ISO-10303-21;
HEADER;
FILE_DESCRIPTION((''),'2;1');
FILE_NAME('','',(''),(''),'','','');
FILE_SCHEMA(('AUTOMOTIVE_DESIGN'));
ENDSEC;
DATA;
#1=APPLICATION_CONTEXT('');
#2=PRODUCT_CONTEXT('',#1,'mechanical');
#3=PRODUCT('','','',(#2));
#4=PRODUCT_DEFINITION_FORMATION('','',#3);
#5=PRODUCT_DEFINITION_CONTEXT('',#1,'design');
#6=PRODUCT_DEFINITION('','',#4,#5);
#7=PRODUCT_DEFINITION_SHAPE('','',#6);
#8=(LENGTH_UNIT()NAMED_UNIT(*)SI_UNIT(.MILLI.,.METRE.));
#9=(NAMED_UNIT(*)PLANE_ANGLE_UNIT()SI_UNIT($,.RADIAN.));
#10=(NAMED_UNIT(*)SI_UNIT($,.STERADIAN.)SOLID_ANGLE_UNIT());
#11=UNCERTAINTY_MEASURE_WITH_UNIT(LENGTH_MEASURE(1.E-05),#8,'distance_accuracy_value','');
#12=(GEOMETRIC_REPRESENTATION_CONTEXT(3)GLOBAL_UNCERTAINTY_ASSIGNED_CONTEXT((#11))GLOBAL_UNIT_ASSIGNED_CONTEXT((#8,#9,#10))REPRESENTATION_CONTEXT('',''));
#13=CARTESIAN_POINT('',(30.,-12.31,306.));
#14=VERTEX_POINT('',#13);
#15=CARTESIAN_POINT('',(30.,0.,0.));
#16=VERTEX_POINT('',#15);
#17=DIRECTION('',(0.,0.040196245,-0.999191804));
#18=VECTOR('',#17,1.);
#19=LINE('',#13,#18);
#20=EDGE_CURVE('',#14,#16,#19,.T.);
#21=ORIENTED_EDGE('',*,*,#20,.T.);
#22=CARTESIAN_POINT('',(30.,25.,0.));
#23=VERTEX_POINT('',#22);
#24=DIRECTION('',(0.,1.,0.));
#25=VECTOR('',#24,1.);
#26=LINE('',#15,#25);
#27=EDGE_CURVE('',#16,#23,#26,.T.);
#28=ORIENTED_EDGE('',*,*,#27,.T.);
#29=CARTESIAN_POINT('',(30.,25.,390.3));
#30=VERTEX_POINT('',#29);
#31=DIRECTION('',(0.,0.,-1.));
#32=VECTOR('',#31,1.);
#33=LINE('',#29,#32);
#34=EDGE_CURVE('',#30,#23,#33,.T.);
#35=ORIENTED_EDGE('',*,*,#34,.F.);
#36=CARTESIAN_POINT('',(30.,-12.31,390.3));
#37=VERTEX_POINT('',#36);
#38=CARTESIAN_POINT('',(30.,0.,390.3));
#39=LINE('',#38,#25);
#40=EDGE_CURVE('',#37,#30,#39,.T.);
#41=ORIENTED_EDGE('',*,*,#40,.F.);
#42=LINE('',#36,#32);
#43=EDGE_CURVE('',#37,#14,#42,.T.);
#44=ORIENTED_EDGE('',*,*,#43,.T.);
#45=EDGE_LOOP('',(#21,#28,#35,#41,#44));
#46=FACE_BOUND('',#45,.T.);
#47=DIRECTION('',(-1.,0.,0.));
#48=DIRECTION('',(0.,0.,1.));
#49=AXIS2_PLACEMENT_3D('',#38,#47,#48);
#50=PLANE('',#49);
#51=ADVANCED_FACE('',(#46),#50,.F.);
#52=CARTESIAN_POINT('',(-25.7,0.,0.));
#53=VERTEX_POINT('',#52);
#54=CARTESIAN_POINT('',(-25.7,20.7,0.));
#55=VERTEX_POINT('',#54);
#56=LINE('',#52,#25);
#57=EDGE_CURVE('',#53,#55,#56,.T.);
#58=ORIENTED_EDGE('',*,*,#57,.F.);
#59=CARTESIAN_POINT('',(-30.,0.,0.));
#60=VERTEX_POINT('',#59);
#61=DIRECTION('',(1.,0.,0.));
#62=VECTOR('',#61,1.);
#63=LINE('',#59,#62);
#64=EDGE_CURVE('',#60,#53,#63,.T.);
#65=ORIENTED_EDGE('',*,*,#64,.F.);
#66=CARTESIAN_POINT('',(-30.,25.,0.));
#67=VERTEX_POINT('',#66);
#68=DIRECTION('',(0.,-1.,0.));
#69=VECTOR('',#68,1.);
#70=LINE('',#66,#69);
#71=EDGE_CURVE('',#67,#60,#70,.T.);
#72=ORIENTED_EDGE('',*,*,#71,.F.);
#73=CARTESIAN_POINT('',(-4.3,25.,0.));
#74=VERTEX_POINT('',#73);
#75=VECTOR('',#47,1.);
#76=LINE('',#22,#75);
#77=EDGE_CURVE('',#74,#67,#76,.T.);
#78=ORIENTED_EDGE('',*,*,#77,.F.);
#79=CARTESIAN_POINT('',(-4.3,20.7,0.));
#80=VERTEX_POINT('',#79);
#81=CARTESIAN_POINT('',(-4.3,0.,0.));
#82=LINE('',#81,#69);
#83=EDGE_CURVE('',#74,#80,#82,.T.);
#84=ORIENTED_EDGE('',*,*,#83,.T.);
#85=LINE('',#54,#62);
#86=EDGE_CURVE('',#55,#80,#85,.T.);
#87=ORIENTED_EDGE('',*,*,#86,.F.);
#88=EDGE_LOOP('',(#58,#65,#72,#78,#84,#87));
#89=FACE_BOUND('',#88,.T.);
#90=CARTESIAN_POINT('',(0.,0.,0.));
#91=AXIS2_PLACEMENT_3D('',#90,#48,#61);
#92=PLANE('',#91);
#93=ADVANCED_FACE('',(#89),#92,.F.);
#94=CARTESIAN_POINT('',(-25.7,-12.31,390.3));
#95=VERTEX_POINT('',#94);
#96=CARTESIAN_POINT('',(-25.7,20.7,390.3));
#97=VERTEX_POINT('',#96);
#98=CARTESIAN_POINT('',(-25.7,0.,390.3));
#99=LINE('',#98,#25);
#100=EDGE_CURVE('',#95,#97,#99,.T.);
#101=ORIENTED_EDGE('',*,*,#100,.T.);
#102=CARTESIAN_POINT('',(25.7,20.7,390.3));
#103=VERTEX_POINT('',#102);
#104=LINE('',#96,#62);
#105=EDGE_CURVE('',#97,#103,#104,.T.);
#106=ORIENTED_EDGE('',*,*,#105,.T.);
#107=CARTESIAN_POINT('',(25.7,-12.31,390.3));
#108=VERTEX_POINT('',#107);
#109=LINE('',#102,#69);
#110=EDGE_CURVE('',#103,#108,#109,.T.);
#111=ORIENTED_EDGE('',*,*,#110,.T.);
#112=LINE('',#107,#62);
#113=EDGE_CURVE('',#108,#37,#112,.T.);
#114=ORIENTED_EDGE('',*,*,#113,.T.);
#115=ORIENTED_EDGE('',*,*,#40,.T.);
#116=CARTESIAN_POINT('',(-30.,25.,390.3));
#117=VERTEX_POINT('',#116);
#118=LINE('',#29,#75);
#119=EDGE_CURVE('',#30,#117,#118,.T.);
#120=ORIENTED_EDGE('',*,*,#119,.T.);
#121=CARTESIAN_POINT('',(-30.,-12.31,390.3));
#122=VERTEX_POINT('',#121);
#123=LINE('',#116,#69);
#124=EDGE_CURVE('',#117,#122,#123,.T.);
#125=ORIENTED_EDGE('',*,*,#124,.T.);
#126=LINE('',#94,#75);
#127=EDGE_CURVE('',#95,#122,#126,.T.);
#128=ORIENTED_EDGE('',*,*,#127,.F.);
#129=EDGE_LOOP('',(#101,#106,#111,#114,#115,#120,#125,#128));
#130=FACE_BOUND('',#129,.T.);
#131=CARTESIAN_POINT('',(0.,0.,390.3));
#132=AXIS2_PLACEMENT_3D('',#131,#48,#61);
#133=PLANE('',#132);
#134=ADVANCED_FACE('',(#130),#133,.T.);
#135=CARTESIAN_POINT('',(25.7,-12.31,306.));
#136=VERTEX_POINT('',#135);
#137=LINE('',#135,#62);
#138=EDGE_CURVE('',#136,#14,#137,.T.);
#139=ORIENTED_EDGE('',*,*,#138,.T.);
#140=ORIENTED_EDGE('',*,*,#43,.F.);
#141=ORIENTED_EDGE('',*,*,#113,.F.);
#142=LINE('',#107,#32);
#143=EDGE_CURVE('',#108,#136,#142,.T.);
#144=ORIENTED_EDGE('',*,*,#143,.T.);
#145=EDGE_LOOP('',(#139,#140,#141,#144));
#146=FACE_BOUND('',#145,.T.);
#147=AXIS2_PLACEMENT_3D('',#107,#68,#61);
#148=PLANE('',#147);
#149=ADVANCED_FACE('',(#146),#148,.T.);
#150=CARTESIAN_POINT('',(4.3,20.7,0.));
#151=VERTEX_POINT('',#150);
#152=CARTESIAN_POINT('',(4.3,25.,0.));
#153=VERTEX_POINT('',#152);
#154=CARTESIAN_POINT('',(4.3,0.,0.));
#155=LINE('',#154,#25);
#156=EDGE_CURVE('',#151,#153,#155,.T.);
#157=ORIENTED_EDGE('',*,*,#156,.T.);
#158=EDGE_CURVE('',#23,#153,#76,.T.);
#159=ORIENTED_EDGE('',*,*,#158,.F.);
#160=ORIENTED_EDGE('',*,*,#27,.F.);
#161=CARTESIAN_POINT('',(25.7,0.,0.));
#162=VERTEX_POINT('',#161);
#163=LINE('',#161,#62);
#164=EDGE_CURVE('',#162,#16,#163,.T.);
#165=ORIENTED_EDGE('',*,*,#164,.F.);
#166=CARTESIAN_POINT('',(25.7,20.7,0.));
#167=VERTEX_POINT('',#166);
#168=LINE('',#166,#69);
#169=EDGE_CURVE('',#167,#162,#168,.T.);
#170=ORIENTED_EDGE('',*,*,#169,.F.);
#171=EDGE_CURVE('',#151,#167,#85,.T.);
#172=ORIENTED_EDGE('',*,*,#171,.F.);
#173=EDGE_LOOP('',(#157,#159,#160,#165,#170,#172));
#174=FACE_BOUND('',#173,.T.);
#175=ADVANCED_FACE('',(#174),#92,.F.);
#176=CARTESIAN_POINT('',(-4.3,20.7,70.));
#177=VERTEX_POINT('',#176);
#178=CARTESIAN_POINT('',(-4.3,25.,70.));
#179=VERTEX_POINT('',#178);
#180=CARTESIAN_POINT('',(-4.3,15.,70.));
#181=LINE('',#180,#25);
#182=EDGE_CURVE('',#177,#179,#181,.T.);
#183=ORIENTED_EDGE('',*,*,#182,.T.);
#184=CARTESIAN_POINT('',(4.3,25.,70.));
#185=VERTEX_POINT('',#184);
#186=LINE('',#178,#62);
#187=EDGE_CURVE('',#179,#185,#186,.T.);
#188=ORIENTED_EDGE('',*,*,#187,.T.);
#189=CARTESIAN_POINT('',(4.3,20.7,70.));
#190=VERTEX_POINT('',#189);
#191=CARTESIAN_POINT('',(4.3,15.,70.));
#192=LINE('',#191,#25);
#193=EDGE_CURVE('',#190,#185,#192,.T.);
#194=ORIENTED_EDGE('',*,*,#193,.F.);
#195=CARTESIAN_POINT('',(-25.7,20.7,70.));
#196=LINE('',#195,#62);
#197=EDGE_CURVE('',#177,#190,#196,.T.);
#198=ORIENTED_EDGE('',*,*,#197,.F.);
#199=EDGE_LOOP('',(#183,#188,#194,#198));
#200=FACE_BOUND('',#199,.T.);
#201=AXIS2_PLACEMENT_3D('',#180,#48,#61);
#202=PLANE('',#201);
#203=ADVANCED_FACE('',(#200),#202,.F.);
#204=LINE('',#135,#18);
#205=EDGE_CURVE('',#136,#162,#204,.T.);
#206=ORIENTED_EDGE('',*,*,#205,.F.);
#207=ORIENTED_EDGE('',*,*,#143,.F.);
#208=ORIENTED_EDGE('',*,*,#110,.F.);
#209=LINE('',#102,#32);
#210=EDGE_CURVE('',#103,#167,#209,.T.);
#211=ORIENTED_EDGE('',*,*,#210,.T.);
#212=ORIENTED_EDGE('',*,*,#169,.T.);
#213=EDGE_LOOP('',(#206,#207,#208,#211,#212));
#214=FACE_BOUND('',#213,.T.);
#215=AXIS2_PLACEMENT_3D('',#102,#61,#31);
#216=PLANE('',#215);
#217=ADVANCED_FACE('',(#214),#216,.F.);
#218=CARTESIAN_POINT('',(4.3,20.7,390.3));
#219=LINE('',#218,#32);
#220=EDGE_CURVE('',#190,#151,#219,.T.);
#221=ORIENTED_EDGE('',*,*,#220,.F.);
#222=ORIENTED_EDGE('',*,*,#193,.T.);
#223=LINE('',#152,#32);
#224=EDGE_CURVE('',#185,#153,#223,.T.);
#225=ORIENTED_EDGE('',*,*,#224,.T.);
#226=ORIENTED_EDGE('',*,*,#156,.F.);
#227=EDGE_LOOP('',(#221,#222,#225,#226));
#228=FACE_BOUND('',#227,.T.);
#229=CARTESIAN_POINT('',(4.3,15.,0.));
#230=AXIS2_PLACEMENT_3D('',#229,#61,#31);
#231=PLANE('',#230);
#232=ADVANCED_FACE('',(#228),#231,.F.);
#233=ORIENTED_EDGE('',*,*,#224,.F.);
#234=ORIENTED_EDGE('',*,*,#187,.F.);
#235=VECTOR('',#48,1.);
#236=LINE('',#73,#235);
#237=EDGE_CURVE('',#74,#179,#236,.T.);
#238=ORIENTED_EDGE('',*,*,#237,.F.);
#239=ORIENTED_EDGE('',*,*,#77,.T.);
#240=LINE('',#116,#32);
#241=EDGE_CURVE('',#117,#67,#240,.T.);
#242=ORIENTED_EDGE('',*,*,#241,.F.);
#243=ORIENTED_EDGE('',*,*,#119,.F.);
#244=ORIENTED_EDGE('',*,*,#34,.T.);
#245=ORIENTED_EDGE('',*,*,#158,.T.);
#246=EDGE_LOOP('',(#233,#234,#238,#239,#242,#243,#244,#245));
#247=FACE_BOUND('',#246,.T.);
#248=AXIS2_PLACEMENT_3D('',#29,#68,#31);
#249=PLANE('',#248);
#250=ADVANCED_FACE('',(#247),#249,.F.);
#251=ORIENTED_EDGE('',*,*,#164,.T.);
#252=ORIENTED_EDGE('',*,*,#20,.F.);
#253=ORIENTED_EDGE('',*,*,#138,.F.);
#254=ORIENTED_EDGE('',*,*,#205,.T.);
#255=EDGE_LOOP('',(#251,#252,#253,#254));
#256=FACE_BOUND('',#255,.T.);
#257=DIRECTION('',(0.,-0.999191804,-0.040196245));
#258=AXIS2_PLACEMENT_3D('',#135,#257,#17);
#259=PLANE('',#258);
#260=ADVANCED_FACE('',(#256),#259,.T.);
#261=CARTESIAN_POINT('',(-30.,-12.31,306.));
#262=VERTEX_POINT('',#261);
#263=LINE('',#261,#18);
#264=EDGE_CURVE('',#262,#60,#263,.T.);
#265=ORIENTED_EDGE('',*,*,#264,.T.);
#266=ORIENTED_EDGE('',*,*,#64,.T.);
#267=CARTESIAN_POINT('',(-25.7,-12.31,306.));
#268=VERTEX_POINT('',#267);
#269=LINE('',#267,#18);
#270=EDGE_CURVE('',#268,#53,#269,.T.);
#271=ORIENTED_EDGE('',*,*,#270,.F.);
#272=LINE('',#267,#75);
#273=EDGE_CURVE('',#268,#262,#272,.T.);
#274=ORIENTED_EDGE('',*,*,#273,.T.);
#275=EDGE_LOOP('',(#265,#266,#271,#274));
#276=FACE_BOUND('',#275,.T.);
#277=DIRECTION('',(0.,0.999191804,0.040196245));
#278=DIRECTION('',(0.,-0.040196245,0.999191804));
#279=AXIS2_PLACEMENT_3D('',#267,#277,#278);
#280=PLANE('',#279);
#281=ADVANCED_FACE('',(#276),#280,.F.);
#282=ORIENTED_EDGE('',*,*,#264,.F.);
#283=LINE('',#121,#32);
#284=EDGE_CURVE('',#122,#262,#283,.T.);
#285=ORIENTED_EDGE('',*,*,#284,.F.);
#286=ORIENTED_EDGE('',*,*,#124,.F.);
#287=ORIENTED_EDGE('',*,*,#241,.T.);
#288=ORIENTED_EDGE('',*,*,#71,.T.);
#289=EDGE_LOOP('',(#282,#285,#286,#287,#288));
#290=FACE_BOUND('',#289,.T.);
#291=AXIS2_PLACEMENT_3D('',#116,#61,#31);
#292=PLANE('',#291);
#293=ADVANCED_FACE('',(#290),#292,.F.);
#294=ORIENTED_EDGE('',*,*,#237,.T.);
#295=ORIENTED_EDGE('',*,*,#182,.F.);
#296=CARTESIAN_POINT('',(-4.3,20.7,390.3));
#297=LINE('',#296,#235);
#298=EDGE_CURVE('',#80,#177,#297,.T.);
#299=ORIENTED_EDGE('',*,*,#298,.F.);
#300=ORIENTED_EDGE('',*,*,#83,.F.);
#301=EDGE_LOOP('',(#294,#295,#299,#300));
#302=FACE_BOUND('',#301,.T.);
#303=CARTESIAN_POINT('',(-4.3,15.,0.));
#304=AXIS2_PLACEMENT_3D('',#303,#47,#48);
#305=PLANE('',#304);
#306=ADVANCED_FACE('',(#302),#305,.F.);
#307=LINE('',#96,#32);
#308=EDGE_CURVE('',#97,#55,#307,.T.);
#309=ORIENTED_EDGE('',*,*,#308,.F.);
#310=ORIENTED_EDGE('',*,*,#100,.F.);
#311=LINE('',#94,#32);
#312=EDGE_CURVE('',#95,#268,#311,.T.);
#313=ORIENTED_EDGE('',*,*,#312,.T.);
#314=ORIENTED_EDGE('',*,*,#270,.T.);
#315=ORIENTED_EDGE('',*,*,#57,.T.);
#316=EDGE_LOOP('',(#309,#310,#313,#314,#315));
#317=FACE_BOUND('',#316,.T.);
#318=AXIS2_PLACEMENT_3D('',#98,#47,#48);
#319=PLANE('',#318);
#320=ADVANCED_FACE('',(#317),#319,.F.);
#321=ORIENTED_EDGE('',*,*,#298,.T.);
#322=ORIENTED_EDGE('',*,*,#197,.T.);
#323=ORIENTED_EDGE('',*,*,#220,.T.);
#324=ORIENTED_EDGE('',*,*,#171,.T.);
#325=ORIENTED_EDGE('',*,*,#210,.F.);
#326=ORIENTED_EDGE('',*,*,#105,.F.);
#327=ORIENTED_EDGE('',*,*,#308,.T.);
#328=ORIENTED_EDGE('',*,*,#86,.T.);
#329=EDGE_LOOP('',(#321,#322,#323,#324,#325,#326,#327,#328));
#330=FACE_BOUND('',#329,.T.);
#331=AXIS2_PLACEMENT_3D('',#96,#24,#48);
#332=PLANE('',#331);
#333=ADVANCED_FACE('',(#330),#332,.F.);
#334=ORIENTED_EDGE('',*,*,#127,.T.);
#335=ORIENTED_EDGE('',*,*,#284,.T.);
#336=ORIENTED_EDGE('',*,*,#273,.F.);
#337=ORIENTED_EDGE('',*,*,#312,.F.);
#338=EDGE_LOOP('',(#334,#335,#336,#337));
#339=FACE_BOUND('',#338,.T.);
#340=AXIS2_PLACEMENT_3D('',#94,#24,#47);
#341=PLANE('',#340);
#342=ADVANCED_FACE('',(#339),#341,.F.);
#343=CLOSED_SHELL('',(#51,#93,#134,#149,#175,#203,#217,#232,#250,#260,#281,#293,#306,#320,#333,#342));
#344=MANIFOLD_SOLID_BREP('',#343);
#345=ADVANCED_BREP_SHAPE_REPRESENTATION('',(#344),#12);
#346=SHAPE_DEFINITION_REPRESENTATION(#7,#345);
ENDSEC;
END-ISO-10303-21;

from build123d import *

# Parameters (mm, degrees)
BOSS_EXTRUDE1_DEPTH = 390.3
BOSS_EXTRUDE2_DEPTH = 4.3
SKETCH3_W           = 8.6
SKETCH3_H           = 70
CUT_EXTRUDE1_DEPTH  = 10


with BuildPart() as part:
    # Sketch1 → Boss-Extrude1 (new body)
    with BuildSketch(Plane.XY):
        Polygon((-30, 0), (-25.7, 0), (-25.7, 20.7), (25.7, 20.7), (25.7, 0), (30, 0), (30, 25), (-30, 25), align=None)
    extrude(amount=BOSS_EXTRUDE1_DEPTH)

    # Sketch2 → Boss-Extrude2 (add)
    with BuildSketch(Plane(origin=(30, 0, 0), x_dir=(0, 0, -1), z_dir=(1, 0, 0))):
        Polygon((-306, -12.31), (0, 0), (-390.3, 0), (-390.3, -12.31), align=None)
    boss_extrude2 = extrude(amount=-BOSS_EXTRUDE2_DEPTH)

    # Mirror1: Boss-Extrude2 across plane
    add(boss_extrude2.mirror(Plane(origin=(0, 0, 0), x_dir=(0, 0, 1), z_dir=(1, 0, 0))))

    # Sketch3 → Cut-Extrude1 (cut)
    with BuildSketch(Plane(origin=(0, 25, 0), x_dir=(1, 0, 0), z_dir=(0, 1, 0))):
        with Locations((0, -35)):
            Rectangle(SKETCH3_W, SKETCH3_H)
    extrude(amount=-CUT_EXTRUDE1_DEPTH, mode=Mode.SUBTRACT)


solid = part.part
